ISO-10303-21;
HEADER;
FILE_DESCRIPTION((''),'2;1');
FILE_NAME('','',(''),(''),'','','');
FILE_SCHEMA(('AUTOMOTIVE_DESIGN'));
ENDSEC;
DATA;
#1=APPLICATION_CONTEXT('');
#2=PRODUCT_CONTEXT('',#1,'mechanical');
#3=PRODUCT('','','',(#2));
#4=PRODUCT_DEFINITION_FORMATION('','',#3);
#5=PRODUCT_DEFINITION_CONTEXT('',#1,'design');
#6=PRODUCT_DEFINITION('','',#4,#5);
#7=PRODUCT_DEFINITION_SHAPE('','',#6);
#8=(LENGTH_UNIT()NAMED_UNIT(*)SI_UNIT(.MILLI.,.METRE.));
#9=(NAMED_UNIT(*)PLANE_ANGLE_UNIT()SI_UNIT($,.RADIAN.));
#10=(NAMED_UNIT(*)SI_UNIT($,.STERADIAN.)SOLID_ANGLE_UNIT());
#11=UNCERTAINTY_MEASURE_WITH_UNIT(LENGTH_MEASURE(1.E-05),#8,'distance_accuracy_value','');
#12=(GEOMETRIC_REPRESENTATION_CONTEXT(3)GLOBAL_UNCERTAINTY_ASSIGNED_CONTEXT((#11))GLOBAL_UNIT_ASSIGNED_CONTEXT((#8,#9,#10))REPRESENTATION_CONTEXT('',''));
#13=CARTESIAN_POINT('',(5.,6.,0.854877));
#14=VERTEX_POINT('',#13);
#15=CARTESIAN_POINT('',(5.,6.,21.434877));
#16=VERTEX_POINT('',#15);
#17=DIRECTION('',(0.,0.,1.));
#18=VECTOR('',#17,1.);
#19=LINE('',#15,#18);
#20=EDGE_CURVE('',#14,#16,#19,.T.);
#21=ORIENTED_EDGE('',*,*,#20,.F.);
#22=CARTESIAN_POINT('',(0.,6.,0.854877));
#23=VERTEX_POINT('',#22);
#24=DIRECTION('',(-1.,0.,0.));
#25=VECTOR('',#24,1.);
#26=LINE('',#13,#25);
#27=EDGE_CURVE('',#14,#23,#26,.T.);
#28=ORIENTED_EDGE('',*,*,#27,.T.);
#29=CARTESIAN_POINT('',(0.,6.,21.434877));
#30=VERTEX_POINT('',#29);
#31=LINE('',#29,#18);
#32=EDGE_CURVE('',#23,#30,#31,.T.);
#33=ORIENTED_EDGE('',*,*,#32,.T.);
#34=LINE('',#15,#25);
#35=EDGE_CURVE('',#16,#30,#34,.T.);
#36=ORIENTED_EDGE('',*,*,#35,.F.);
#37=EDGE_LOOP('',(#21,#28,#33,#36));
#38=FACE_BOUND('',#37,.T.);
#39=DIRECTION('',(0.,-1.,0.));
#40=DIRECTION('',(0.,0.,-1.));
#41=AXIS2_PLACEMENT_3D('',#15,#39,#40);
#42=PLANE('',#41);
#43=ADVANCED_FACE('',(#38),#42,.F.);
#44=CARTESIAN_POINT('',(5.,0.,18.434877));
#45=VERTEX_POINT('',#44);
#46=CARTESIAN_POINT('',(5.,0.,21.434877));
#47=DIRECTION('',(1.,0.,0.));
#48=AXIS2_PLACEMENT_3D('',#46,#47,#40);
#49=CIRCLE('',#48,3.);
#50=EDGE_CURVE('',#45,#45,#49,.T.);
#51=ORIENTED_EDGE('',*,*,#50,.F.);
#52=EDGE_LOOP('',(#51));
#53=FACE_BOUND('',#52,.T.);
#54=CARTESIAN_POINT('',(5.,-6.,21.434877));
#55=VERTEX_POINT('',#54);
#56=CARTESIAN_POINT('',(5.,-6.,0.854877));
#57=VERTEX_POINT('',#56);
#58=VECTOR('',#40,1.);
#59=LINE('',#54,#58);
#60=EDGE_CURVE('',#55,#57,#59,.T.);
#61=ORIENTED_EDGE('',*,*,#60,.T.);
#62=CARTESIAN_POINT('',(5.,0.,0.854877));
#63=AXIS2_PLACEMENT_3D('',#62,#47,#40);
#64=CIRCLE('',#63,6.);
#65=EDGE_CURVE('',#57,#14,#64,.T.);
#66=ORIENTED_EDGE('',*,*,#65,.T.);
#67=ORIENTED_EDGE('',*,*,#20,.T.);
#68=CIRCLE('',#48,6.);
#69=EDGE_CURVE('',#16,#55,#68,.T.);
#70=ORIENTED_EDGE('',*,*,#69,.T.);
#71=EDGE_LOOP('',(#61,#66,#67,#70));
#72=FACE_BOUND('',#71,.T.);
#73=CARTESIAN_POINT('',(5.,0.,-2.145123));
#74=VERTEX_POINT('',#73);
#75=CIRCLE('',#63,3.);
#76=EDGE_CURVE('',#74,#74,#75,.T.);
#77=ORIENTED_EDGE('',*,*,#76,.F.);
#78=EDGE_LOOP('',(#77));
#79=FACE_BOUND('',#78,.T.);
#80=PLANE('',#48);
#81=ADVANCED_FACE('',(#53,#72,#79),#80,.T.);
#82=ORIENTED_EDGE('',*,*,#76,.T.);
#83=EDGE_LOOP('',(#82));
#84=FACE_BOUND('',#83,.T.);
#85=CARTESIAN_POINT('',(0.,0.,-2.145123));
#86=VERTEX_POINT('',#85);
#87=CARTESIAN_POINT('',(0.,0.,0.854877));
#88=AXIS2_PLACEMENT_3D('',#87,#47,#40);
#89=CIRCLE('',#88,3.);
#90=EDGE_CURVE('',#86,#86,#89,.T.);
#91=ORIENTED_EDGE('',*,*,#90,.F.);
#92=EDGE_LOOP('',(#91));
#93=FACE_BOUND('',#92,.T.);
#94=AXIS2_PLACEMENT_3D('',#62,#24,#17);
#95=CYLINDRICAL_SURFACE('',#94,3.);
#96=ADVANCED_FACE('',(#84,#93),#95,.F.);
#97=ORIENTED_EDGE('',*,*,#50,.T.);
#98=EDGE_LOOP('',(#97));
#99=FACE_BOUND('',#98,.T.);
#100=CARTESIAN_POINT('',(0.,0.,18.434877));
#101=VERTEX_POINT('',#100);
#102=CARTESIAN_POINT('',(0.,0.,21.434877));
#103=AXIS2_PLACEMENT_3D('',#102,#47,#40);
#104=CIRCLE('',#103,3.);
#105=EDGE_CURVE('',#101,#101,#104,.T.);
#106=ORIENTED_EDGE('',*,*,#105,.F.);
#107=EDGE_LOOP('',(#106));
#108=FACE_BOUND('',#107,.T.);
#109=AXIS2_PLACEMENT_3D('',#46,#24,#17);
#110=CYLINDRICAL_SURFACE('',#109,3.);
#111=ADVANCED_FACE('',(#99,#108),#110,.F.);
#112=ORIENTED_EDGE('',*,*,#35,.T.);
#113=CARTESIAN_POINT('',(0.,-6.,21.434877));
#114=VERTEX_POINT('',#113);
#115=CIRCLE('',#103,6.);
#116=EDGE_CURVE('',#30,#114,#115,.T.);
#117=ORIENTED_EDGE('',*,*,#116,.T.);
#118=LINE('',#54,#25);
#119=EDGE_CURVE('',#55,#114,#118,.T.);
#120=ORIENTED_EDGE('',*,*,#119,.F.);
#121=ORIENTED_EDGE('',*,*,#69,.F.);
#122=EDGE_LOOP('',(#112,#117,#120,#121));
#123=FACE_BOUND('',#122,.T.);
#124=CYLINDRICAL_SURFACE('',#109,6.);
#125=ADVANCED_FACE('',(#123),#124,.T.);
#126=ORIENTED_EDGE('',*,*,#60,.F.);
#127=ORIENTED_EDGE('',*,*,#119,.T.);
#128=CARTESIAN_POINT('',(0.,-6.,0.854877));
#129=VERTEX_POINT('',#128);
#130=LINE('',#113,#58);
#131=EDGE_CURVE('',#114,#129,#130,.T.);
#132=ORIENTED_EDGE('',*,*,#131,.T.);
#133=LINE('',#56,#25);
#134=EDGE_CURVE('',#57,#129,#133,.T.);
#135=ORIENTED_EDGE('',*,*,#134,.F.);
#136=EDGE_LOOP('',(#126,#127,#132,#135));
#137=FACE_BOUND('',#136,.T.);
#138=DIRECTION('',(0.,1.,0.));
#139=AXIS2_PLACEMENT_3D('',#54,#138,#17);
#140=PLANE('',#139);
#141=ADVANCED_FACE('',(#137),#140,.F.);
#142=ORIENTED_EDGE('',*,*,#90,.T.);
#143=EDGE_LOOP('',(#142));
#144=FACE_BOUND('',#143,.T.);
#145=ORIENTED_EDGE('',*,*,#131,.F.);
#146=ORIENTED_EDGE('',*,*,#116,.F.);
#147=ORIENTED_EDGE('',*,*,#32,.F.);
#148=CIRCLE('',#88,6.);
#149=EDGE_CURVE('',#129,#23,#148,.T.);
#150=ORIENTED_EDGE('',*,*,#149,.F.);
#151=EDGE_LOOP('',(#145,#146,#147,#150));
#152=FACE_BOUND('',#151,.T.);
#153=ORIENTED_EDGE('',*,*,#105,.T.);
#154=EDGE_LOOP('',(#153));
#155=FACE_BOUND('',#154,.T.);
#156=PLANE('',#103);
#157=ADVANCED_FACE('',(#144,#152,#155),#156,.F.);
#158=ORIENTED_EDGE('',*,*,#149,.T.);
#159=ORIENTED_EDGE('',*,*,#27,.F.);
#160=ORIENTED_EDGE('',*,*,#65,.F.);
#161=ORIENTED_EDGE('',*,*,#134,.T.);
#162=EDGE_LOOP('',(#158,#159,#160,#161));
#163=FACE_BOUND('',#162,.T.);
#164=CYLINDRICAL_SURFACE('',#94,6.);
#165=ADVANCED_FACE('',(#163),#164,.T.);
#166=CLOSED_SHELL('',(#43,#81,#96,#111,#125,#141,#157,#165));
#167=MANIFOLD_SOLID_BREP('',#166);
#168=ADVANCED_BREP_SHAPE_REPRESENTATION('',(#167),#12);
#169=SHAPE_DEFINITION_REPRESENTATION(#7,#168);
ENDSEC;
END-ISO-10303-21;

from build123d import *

# Parameters (mm, degrees)
ESBO_O1_R                = 3
RESSALTO_EXTRUS_O1_DEPTH = 5


with BuildPart() as part:
    # Esboço1 → Ressalto-extrusão1 (new body)
    with BuildSketch(Plane(origin=(0, 0, 0), x_dir=(0, 0, -1), z_dir=(1, 0, 0))):
        with BuildLine():
            Line((-21.434877193, 6), (-0.854877193, 6))
            ThreePointArc((-0.854877193, 6), (5.145122807, 0), (-0.854877193, -6))
            Line((-0.854877193, -6), (-21.434877193, -6))
            ThreePointArc((-21.434877193, -6), (-27.434877193, 0), (-21.434877193, 6))
        make_face()
        with Locations((-21.434877193, 0)):
            Circle(ESBO_O1_R, mode=Mode.SUBTRACT)
        with Locations((-0.854877193, 0)):
            Circle(ESBO_O1_R, mode=Mode.SUBTRACT)
    extrude(amount=RESSALTO_EXTRUS_O1_DEPTH)


solid = part.part
